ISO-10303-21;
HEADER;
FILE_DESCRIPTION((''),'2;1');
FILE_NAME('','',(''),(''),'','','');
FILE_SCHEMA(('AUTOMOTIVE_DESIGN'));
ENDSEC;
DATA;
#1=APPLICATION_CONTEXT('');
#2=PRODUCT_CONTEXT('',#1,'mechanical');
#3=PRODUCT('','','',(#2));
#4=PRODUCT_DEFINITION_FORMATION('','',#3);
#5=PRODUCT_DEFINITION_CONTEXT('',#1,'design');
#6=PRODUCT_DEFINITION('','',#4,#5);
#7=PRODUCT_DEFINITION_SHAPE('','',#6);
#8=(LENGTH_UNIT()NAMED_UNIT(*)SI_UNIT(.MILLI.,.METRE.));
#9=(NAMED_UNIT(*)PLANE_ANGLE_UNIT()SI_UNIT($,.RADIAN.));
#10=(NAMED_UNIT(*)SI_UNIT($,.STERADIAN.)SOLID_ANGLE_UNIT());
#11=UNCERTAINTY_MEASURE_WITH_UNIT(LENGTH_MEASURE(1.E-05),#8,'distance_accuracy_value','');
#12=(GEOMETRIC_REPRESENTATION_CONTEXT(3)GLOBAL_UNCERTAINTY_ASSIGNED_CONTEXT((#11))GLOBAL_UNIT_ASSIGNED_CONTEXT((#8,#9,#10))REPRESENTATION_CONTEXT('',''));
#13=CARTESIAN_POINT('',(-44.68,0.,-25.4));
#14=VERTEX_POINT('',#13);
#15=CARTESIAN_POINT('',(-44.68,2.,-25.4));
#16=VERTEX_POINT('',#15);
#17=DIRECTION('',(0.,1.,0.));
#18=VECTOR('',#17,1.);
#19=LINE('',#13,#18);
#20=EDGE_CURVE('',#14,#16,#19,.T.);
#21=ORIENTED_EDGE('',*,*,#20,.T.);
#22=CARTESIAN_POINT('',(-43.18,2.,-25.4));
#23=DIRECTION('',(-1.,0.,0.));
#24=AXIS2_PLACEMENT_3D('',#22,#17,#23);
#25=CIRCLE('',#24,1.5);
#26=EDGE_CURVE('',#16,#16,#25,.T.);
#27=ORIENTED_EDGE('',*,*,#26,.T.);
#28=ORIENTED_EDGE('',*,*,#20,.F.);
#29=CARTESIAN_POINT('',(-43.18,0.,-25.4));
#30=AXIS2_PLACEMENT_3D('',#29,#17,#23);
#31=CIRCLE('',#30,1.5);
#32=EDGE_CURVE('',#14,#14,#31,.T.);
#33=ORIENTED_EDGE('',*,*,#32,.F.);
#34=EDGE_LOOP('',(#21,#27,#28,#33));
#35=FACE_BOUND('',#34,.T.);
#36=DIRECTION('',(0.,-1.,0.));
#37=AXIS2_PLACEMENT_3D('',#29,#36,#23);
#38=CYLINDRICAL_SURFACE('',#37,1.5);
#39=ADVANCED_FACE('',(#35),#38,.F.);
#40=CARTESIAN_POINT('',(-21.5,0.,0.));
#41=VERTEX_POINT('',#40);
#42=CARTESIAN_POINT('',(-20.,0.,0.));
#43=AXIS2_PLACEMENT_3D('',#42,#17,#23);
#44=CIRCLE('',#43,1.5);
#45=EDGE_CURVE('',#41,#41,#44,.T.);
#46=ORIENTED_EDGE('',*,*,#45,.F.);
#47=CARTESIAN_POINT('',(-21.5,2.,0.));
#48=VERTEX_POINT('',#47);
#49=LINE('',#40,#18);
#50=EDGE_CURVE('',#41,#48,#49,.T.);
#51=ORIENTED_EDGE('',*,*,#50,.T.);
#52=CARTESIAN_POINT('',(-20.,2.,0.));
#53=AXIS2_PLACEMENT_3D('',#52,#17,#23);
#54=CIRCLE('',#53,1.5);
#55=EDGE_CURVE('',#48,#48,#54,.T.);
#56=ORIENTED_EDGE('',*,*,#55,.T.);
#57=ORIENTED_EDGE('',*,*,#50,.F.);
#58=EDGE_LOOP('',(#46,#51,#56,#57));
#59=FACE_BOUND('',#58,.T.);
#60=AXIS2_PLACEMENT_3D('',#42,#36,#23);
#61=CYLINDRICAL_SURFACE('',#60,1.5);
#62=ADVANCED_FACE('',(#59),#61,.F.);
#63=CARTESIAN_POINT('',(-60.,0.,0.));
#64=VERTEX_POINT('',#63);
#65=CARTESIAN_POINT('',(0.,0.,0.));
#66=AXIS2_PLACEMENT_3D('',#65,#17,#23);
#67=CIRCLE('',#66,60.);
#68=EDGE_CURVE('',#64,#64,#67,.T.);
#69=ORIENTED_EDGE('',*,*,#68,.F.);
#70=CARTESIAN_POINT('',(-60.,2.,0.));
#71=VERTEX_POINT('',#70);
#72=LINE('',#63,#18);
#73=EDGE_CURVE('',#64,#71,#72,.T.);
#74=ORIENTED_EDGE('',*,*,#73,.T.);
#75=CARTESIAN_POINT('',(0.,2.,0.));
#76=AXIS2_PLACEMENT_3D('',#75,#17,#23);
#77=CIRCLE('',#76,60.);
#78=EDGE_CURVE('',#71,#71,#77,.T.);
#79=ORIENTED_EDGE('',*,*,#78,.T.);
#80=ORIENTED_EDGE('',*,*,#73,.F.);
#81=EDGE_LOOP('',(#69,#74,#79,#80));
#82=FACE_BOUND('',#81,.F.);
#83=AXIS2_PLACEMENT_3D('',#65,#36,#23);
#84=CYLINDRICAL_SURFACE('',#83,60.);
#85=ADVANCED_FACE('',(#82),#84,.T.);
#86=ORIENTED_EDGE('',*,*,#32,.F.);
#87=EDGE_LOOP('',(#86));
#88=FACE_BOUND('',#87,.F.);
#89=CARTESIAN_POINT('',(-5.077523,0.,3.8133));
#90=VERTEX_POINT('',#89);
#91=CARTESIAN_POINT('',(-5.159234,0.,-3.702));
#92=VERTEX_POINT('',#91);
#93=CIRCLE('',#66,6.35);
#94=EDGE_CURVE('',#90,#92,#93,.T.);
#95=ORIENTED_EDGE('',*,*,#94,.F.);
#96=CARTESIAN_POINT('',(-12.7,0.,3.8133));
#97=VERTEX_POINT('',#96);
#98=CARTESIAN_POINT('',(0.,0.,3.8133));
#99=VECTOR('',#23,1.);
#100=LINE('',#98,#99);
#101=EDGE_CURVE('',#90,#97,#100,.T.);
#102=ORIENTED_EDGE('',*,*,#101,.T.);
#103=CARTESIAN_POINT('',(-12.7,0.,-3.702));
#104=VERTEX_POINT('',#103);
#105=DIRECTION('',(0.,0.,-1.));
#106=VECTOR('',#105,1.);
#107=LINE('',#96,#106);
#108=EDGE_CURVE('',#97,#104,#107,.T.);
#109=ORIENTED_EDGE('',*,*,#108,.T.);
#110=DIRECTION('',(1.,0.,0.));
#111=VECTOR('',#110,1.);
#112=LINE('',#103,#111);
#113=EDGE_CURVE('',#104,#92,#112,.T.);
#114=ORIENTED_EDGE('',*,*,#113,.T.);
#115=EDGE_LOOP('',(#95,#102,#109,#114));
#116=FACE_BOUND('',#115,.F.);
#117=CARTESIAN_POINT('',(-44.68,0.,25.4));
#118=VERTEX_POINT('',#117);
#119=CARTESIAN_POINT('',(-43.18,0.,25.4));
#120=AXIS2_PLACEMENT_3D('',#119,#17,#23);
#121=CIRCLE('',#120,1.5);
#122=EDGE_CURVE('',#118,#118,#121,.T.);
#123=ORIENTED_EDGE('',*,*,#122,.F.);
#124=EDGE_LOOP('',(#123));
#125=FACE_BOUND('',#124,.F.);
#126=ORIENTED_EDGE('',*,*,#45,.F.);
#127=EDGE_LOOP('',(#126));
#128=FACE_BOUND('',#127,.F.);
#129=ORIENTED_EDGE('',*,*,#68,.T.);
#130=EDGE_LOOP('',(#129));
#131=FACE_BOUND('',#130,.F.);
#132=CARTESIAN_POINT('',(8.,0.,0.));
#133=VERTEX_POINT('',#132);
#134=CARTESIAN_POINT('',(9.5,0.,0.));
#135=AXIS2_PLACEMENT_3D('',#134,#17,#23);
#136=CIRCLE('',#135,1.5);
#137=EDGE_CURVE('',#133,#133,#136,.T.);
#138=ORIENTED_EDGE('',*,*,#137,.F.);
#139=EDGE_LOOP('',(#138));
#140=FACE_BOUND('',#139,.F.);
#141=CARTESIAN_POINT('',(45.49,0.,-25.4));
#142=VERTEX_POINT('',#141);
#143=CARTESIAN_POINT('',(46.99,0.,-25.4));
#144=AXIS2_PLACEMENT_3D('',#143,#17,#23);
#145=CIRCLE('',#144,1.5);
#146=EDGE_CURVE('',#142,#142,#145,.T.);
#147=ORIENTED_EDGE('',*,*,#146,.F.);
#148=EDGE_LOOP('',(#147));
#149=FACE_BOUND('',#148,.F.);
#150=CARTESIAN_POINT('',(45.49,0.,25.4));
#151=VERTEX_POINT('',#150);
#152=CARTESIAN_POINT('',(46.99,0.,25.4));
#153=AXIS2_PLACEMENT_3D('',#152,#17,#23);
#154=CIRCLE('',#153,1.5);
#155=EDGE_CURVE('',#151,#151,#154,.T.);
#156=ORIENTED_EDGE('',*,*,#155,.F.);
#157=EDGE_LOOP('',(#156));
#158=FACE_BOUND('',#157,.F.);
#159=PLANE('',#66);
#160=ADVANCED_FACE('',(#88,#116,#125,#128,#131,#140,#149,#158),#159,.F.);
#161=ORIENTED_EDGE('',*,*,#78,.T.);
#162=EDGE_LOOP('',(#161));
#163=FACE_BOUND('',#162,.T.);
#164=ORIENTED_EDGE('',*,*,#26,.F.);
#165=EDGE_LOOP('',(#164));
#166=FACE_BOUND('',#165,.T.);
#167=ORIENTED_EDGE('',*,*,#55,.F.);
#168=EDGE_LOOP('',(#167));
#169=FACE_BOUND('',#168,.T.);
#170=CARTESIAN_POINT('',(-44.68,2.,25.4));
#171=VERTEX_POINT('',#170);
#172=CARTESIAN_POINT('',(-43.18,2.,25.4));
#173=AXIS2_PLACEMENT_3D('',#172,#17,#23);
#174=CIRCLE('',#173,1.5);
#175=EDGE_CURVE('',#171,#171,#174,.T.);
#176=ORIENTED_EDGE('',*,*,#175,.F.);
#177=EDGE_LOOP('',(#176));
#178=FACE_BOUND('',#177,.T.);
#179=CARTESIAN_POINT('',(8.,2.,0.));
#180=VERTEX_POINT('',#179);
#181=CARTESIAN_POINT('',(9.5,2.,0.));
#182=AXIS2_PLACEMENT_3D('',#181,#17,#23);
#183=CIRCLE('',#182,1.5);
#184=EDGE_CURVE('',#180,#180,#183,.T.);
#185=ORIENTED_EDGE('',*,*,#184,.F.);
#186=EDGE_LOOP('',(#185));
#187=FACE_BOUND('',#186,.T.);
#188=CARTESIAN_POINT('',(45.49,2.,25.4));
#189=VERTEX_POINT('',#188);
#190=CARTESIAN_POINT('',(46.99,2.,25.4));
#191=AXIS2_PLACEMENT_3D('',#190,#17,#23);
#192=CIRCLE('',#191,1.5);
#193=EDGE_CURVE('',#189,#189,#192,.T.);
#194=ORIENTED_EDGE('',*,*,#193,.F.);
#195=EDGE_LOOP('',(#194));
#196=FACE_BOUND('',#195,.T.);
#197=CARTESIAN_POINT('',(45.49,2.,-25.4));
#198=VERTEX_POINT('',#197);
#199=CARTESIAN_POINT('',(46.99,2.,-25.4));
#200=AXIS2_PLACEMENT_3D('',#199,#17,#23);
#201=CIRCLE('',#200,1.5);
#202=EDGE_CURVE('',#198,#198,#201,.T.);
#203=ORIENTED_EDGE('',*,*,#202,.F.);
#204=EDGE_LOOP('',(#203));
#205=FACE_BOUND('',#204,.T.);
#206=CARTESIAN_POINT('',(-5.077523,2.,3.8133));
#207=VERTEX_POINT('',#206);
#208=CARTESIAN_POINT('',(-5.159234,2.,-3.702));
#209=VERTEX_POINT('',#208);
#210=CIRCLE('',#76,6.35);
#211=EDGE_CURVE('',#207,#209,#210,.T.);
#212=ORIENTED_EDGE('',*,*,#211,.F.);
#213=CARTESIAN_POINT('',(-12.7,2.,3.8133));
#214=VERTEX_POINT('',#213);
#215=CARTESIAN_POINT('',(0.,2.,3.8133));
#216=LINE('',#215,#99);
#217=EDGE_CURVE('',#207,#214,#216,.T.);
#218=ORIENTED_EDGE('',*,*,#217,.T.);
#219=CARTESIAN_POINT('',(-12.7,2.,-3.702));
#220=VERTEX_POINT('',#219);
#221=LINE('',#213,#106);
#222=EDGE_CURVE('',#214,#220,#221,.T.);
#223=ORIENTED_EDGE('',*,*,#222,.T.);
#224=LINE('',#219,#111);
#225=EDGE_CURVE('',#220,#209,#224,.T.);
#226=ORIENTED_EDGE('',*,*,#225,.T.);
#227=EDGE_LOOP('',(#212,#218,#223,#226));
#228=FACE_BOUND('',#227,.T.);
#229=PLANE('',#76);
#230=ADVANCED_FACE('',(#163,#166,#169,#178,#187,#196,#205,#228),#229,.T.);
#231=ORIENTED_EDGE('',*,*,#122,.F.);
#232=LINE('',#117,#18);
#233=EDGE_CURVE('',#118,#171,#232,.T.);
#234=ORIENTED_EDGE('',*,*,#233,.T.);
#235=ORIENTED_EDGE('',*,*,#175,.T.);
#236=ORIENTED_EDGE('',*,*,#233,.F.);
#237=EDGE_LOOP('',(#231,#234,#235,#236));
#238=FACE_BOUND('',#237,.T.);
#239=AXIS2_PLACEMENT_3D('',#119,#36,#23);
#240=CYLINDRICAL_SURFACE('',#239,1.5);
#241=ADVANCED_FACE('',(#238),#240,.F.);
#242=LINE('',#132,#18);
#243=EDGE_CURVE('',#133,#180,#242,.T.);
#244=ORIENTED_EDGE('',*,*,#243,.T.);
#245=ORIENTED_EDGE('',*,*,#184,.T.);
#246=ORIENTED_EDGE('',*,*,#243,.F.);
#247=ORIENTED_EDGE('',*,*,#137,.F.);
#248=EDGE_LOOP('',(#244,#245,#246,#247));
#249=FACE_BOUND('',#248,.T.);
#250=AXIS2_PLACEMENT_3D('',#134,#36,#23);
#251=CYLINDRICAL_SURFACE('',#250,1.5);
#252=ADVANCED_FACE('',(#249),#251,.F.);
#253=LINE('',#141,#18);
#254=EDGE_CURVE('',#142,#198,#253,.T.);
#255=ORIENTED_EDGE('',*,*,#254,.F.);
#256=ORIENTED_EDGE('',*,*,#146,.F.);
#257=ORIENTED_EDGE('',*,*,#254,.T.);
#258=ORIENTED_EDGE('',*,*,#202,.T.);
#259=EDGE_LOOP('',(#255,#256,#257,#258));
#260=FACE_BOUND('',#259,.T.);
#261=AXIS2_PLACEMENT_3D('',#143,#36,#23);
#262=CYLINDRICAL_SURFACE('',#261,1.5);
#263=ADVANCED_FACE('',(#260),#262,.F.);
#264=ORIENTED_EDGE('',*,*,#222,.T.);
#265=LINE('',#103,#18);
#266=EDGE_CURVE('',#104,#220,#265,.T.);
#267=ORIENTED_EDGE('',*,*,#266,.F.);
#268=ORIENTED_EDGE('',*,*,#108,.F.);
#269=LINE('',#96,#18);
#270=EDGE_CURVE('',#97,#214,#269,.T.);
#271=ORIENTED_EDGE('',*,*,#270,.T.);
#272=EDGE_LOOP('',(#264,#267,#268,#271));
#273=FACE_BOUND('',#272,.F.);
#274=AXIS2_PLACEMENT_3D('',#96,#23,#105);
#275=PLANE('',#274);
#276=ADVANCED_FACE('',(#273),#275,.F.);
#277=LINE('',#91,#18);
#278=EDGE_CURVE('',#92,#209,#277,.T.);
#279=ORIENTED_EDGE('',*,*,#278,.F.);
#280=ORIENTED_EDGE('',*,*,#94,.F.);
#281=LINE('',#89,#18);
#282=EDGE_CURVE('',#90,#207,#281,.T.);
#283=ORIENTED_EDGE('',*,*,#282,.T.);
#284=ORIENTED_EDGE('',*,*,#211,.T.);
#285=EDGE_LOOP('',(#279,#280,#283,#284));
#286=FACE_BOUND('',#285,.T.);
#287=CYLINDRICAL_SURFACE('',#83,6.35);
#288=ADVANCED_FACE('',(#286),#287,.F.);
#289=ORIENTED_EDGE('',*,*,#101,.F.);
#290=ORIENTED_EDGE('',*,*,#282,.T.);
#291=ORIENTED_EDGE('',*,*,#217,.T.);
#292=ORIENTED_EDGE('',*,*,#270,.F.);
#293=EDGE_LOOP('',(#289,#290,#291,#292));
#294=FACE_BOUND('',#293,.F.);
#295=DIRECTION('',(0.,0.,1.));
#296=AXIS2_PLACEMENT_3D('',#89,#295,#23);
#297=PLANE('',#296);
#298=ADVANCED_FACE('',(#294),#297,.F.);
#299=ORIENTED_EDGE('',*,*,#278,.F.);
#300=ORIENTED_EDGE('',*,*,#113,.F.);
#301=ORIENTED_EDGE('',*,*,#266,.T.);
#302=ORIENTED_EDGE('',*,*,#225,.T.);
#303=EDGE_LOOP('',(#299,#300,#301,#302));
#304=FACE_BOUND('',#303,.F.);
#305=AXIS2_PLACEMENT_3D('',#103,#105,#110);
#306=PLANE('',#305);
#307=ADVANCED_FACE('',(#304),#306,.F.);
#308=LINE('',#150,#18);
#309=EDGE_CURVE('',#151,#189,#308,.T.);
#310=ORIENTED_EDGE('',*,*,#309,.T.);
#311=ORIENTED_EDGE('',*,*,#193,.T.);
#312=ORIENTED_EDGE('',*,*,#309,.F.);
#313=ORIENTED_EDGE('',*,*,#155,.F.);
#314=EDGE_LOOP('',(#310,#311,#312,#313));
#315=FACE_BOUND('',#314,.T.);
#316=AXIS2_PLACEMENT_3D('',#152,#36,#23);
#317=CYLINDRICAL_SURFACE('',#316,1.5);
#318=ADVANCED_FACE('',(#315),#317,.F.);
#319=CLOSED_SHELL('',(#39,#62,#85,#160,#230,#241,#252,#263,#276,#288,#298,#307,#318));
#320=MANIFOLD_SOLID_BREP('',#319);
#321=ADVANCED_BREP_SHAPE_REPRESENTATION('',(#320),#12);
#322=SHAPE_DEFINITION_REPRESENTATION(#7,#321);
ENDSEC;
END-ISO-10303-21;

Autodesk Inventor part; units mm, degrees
ref_plane "YZ Plane" through (0, 0, 0) normal (1, 0, 0) x (0, 1, 0)
ref_plane "XZ Plane" through (0, 0, 0) normal (0, 1, 0) x (-1, 0, 0)
ref_plane "XY Plane" through (0, 0, 0) normal (0, 0, 1) x (1, 0, 0)
sketch "Sketch2" plane through (0, 0, 0) normal (0, 1, 0) x (-1, 0, 0)
  circle A0 centre (0, 0) radius 60
  circle A1 centre (0, 0) radius 6.35
  circle A2 centre (20, 0) radius 1.5
  circle A3 centre (-9.5, 0) radius 1.5
  line L0 (0, 3.8133) -> (12.7, 3.8133)
  line L1 (12.7, 3.8133) -> (12.7, -3.702)
  line L2 (12.7, -3.702) -> (0, -3.702)
  line L3 (0, -3.702) -> (0, 3.8133)
  circle A4 centre (-46.99, 25.4) radius 1.5
  circle A5 centre (-46.99, -25.4) radius 1.5
  circle A6 centre (43.18, -25.4) radius 1.5
  circle A7 centre (43.18, 25.4) radius 1.5
  dimension "d0" = 120
  dimension "d1" = 12.7
  dimension "d2" = 3
  dimension "d3" = 20
  dimension "d4" = 3
  dimension "d5" = 9.5
  dimension "d6" = 12.7
  dimension "d18" = 3
  dimension "d19" = 25.4
  dimension "d20" = 46.99
  dimension "d21" = 3
  dimension "d22" = 3
  dimension "d23" = 3
  dimension "d26" = 25.4
  dimension "d27" = 25.4
  dimension "d28" = 43.18
  dimension "d29" = 43.18
  dimension "d30" = 25.4
  dimension "d31" = 46.99
extrude "Extrusion3" add sketch "Sketch2" along normal blind 2
properties part number "pcb"
